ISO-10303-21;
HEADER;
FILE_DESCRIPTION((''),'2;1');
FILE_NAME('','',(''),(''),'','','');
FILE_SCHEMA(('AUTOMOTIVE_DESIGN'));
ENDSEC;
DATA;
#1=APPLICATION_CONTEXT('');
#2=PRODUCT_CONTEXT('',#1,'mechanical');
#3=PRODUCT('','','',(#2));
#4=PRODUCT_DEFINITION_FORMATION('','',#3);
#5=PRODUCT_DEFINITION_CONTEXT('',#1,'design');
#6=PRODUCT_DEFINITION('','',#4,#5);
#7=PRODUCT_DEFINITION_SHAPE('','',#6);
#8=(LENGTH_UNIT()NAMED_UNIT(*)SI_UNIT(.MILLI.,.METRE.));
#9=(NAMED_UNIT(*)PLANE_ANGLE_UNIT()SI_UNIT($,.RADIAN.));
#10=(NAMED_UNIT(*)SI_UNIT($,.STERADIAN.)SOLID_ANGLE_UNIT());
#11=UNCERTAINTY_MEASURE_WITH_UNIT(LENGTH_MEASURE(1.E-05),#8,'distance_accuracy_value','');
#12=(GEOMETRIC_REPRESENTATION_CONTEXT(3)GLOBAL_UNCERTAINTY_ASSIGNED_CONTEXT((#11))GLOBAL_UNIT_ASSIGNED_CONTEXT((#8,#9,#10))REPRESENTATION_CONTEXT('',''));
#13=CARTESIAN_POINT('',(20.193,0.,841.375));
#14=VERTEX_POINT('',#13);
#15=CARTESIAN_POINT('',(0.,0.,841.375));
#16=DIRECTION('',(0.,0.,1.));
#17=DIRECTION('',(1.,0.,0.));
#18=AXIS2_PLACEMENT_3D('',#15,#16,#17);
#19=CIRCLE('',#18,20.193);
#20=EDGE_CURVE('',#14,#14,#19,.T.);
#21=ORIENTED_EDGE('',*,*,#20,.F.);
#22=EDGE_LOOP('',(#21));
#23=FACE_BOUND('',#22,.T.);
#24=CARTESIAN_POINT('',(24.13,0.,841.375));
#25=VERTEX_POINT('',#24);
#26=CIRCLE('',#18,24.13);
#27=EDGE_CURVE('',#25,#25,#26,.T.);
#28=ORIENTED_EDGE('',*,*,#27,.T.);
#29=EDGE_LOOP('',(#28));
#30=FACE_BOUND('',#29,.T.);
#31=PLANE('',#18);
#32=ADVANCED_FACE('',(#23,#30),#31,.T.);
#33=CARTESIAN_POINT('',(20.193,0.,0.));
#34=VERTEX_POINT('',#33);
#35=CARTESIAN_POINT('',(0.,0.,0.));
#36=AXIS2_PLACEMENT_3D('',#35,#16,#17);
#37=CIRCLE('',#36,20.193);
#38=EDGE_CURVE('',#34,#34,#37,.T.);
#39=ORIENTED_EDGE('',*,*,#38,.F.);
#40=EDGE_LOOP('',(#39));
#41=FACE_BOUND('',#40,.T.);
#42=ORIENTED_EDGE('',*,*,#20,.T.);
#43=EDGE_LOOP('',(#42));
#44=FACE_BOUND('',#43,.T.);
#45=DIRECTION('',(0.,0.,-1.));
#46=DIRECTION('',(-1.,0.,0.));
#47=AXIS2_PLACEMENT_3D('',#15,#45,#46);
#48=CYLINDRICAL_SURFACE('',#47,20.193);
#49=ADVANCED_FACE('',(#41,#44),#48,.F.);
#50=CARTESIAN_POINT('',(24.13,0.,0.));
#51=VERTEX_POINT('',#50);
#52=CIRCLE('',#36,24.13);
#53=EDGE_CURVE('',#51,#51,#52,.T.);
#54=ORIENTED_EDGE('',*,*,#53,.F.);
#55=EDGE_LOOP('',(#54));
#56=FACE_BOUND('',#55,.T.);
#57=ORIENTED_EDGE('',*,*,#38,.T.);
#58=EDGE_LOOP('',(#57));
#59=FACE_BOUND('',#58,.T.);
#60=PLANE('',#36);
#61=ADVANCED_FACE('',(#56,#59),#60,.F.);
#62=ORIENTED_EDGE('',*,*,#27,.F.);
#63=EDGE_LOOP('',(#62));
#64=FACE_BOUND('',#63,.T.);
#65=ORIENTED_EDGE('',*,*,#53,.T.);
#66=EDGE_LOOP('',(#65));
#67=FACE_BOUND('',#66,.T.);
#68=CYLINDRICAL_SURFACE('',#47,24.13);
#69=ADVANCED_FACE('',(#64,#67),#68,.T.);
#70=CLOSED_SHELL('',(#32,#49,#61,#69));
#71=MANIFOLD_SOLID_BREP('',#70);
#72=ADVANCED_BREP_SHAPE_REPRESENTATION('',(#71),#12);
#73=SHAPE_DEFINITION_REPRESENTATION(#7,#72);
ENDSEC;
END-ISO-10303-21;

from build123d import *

# Parameters (mm, degrees)
SKETCH1_R           = 24.13
SKETCH1_R_2         = 20.193
BOSS_EXTRUDE1_DEPTH = 841.375


with BuildPart() as part:
    # Sketch1 → Boss-Extrude1 (new body)
    with BuildSketch(Plane.XY):
        Circle(SKETCH1_R)
        Circle(SKETCH1_R_2, mode=Mode.SUBTRACT)
    extrude(amount=BOSS_EXTRUDE1_DEPTH)


solid = part.part
